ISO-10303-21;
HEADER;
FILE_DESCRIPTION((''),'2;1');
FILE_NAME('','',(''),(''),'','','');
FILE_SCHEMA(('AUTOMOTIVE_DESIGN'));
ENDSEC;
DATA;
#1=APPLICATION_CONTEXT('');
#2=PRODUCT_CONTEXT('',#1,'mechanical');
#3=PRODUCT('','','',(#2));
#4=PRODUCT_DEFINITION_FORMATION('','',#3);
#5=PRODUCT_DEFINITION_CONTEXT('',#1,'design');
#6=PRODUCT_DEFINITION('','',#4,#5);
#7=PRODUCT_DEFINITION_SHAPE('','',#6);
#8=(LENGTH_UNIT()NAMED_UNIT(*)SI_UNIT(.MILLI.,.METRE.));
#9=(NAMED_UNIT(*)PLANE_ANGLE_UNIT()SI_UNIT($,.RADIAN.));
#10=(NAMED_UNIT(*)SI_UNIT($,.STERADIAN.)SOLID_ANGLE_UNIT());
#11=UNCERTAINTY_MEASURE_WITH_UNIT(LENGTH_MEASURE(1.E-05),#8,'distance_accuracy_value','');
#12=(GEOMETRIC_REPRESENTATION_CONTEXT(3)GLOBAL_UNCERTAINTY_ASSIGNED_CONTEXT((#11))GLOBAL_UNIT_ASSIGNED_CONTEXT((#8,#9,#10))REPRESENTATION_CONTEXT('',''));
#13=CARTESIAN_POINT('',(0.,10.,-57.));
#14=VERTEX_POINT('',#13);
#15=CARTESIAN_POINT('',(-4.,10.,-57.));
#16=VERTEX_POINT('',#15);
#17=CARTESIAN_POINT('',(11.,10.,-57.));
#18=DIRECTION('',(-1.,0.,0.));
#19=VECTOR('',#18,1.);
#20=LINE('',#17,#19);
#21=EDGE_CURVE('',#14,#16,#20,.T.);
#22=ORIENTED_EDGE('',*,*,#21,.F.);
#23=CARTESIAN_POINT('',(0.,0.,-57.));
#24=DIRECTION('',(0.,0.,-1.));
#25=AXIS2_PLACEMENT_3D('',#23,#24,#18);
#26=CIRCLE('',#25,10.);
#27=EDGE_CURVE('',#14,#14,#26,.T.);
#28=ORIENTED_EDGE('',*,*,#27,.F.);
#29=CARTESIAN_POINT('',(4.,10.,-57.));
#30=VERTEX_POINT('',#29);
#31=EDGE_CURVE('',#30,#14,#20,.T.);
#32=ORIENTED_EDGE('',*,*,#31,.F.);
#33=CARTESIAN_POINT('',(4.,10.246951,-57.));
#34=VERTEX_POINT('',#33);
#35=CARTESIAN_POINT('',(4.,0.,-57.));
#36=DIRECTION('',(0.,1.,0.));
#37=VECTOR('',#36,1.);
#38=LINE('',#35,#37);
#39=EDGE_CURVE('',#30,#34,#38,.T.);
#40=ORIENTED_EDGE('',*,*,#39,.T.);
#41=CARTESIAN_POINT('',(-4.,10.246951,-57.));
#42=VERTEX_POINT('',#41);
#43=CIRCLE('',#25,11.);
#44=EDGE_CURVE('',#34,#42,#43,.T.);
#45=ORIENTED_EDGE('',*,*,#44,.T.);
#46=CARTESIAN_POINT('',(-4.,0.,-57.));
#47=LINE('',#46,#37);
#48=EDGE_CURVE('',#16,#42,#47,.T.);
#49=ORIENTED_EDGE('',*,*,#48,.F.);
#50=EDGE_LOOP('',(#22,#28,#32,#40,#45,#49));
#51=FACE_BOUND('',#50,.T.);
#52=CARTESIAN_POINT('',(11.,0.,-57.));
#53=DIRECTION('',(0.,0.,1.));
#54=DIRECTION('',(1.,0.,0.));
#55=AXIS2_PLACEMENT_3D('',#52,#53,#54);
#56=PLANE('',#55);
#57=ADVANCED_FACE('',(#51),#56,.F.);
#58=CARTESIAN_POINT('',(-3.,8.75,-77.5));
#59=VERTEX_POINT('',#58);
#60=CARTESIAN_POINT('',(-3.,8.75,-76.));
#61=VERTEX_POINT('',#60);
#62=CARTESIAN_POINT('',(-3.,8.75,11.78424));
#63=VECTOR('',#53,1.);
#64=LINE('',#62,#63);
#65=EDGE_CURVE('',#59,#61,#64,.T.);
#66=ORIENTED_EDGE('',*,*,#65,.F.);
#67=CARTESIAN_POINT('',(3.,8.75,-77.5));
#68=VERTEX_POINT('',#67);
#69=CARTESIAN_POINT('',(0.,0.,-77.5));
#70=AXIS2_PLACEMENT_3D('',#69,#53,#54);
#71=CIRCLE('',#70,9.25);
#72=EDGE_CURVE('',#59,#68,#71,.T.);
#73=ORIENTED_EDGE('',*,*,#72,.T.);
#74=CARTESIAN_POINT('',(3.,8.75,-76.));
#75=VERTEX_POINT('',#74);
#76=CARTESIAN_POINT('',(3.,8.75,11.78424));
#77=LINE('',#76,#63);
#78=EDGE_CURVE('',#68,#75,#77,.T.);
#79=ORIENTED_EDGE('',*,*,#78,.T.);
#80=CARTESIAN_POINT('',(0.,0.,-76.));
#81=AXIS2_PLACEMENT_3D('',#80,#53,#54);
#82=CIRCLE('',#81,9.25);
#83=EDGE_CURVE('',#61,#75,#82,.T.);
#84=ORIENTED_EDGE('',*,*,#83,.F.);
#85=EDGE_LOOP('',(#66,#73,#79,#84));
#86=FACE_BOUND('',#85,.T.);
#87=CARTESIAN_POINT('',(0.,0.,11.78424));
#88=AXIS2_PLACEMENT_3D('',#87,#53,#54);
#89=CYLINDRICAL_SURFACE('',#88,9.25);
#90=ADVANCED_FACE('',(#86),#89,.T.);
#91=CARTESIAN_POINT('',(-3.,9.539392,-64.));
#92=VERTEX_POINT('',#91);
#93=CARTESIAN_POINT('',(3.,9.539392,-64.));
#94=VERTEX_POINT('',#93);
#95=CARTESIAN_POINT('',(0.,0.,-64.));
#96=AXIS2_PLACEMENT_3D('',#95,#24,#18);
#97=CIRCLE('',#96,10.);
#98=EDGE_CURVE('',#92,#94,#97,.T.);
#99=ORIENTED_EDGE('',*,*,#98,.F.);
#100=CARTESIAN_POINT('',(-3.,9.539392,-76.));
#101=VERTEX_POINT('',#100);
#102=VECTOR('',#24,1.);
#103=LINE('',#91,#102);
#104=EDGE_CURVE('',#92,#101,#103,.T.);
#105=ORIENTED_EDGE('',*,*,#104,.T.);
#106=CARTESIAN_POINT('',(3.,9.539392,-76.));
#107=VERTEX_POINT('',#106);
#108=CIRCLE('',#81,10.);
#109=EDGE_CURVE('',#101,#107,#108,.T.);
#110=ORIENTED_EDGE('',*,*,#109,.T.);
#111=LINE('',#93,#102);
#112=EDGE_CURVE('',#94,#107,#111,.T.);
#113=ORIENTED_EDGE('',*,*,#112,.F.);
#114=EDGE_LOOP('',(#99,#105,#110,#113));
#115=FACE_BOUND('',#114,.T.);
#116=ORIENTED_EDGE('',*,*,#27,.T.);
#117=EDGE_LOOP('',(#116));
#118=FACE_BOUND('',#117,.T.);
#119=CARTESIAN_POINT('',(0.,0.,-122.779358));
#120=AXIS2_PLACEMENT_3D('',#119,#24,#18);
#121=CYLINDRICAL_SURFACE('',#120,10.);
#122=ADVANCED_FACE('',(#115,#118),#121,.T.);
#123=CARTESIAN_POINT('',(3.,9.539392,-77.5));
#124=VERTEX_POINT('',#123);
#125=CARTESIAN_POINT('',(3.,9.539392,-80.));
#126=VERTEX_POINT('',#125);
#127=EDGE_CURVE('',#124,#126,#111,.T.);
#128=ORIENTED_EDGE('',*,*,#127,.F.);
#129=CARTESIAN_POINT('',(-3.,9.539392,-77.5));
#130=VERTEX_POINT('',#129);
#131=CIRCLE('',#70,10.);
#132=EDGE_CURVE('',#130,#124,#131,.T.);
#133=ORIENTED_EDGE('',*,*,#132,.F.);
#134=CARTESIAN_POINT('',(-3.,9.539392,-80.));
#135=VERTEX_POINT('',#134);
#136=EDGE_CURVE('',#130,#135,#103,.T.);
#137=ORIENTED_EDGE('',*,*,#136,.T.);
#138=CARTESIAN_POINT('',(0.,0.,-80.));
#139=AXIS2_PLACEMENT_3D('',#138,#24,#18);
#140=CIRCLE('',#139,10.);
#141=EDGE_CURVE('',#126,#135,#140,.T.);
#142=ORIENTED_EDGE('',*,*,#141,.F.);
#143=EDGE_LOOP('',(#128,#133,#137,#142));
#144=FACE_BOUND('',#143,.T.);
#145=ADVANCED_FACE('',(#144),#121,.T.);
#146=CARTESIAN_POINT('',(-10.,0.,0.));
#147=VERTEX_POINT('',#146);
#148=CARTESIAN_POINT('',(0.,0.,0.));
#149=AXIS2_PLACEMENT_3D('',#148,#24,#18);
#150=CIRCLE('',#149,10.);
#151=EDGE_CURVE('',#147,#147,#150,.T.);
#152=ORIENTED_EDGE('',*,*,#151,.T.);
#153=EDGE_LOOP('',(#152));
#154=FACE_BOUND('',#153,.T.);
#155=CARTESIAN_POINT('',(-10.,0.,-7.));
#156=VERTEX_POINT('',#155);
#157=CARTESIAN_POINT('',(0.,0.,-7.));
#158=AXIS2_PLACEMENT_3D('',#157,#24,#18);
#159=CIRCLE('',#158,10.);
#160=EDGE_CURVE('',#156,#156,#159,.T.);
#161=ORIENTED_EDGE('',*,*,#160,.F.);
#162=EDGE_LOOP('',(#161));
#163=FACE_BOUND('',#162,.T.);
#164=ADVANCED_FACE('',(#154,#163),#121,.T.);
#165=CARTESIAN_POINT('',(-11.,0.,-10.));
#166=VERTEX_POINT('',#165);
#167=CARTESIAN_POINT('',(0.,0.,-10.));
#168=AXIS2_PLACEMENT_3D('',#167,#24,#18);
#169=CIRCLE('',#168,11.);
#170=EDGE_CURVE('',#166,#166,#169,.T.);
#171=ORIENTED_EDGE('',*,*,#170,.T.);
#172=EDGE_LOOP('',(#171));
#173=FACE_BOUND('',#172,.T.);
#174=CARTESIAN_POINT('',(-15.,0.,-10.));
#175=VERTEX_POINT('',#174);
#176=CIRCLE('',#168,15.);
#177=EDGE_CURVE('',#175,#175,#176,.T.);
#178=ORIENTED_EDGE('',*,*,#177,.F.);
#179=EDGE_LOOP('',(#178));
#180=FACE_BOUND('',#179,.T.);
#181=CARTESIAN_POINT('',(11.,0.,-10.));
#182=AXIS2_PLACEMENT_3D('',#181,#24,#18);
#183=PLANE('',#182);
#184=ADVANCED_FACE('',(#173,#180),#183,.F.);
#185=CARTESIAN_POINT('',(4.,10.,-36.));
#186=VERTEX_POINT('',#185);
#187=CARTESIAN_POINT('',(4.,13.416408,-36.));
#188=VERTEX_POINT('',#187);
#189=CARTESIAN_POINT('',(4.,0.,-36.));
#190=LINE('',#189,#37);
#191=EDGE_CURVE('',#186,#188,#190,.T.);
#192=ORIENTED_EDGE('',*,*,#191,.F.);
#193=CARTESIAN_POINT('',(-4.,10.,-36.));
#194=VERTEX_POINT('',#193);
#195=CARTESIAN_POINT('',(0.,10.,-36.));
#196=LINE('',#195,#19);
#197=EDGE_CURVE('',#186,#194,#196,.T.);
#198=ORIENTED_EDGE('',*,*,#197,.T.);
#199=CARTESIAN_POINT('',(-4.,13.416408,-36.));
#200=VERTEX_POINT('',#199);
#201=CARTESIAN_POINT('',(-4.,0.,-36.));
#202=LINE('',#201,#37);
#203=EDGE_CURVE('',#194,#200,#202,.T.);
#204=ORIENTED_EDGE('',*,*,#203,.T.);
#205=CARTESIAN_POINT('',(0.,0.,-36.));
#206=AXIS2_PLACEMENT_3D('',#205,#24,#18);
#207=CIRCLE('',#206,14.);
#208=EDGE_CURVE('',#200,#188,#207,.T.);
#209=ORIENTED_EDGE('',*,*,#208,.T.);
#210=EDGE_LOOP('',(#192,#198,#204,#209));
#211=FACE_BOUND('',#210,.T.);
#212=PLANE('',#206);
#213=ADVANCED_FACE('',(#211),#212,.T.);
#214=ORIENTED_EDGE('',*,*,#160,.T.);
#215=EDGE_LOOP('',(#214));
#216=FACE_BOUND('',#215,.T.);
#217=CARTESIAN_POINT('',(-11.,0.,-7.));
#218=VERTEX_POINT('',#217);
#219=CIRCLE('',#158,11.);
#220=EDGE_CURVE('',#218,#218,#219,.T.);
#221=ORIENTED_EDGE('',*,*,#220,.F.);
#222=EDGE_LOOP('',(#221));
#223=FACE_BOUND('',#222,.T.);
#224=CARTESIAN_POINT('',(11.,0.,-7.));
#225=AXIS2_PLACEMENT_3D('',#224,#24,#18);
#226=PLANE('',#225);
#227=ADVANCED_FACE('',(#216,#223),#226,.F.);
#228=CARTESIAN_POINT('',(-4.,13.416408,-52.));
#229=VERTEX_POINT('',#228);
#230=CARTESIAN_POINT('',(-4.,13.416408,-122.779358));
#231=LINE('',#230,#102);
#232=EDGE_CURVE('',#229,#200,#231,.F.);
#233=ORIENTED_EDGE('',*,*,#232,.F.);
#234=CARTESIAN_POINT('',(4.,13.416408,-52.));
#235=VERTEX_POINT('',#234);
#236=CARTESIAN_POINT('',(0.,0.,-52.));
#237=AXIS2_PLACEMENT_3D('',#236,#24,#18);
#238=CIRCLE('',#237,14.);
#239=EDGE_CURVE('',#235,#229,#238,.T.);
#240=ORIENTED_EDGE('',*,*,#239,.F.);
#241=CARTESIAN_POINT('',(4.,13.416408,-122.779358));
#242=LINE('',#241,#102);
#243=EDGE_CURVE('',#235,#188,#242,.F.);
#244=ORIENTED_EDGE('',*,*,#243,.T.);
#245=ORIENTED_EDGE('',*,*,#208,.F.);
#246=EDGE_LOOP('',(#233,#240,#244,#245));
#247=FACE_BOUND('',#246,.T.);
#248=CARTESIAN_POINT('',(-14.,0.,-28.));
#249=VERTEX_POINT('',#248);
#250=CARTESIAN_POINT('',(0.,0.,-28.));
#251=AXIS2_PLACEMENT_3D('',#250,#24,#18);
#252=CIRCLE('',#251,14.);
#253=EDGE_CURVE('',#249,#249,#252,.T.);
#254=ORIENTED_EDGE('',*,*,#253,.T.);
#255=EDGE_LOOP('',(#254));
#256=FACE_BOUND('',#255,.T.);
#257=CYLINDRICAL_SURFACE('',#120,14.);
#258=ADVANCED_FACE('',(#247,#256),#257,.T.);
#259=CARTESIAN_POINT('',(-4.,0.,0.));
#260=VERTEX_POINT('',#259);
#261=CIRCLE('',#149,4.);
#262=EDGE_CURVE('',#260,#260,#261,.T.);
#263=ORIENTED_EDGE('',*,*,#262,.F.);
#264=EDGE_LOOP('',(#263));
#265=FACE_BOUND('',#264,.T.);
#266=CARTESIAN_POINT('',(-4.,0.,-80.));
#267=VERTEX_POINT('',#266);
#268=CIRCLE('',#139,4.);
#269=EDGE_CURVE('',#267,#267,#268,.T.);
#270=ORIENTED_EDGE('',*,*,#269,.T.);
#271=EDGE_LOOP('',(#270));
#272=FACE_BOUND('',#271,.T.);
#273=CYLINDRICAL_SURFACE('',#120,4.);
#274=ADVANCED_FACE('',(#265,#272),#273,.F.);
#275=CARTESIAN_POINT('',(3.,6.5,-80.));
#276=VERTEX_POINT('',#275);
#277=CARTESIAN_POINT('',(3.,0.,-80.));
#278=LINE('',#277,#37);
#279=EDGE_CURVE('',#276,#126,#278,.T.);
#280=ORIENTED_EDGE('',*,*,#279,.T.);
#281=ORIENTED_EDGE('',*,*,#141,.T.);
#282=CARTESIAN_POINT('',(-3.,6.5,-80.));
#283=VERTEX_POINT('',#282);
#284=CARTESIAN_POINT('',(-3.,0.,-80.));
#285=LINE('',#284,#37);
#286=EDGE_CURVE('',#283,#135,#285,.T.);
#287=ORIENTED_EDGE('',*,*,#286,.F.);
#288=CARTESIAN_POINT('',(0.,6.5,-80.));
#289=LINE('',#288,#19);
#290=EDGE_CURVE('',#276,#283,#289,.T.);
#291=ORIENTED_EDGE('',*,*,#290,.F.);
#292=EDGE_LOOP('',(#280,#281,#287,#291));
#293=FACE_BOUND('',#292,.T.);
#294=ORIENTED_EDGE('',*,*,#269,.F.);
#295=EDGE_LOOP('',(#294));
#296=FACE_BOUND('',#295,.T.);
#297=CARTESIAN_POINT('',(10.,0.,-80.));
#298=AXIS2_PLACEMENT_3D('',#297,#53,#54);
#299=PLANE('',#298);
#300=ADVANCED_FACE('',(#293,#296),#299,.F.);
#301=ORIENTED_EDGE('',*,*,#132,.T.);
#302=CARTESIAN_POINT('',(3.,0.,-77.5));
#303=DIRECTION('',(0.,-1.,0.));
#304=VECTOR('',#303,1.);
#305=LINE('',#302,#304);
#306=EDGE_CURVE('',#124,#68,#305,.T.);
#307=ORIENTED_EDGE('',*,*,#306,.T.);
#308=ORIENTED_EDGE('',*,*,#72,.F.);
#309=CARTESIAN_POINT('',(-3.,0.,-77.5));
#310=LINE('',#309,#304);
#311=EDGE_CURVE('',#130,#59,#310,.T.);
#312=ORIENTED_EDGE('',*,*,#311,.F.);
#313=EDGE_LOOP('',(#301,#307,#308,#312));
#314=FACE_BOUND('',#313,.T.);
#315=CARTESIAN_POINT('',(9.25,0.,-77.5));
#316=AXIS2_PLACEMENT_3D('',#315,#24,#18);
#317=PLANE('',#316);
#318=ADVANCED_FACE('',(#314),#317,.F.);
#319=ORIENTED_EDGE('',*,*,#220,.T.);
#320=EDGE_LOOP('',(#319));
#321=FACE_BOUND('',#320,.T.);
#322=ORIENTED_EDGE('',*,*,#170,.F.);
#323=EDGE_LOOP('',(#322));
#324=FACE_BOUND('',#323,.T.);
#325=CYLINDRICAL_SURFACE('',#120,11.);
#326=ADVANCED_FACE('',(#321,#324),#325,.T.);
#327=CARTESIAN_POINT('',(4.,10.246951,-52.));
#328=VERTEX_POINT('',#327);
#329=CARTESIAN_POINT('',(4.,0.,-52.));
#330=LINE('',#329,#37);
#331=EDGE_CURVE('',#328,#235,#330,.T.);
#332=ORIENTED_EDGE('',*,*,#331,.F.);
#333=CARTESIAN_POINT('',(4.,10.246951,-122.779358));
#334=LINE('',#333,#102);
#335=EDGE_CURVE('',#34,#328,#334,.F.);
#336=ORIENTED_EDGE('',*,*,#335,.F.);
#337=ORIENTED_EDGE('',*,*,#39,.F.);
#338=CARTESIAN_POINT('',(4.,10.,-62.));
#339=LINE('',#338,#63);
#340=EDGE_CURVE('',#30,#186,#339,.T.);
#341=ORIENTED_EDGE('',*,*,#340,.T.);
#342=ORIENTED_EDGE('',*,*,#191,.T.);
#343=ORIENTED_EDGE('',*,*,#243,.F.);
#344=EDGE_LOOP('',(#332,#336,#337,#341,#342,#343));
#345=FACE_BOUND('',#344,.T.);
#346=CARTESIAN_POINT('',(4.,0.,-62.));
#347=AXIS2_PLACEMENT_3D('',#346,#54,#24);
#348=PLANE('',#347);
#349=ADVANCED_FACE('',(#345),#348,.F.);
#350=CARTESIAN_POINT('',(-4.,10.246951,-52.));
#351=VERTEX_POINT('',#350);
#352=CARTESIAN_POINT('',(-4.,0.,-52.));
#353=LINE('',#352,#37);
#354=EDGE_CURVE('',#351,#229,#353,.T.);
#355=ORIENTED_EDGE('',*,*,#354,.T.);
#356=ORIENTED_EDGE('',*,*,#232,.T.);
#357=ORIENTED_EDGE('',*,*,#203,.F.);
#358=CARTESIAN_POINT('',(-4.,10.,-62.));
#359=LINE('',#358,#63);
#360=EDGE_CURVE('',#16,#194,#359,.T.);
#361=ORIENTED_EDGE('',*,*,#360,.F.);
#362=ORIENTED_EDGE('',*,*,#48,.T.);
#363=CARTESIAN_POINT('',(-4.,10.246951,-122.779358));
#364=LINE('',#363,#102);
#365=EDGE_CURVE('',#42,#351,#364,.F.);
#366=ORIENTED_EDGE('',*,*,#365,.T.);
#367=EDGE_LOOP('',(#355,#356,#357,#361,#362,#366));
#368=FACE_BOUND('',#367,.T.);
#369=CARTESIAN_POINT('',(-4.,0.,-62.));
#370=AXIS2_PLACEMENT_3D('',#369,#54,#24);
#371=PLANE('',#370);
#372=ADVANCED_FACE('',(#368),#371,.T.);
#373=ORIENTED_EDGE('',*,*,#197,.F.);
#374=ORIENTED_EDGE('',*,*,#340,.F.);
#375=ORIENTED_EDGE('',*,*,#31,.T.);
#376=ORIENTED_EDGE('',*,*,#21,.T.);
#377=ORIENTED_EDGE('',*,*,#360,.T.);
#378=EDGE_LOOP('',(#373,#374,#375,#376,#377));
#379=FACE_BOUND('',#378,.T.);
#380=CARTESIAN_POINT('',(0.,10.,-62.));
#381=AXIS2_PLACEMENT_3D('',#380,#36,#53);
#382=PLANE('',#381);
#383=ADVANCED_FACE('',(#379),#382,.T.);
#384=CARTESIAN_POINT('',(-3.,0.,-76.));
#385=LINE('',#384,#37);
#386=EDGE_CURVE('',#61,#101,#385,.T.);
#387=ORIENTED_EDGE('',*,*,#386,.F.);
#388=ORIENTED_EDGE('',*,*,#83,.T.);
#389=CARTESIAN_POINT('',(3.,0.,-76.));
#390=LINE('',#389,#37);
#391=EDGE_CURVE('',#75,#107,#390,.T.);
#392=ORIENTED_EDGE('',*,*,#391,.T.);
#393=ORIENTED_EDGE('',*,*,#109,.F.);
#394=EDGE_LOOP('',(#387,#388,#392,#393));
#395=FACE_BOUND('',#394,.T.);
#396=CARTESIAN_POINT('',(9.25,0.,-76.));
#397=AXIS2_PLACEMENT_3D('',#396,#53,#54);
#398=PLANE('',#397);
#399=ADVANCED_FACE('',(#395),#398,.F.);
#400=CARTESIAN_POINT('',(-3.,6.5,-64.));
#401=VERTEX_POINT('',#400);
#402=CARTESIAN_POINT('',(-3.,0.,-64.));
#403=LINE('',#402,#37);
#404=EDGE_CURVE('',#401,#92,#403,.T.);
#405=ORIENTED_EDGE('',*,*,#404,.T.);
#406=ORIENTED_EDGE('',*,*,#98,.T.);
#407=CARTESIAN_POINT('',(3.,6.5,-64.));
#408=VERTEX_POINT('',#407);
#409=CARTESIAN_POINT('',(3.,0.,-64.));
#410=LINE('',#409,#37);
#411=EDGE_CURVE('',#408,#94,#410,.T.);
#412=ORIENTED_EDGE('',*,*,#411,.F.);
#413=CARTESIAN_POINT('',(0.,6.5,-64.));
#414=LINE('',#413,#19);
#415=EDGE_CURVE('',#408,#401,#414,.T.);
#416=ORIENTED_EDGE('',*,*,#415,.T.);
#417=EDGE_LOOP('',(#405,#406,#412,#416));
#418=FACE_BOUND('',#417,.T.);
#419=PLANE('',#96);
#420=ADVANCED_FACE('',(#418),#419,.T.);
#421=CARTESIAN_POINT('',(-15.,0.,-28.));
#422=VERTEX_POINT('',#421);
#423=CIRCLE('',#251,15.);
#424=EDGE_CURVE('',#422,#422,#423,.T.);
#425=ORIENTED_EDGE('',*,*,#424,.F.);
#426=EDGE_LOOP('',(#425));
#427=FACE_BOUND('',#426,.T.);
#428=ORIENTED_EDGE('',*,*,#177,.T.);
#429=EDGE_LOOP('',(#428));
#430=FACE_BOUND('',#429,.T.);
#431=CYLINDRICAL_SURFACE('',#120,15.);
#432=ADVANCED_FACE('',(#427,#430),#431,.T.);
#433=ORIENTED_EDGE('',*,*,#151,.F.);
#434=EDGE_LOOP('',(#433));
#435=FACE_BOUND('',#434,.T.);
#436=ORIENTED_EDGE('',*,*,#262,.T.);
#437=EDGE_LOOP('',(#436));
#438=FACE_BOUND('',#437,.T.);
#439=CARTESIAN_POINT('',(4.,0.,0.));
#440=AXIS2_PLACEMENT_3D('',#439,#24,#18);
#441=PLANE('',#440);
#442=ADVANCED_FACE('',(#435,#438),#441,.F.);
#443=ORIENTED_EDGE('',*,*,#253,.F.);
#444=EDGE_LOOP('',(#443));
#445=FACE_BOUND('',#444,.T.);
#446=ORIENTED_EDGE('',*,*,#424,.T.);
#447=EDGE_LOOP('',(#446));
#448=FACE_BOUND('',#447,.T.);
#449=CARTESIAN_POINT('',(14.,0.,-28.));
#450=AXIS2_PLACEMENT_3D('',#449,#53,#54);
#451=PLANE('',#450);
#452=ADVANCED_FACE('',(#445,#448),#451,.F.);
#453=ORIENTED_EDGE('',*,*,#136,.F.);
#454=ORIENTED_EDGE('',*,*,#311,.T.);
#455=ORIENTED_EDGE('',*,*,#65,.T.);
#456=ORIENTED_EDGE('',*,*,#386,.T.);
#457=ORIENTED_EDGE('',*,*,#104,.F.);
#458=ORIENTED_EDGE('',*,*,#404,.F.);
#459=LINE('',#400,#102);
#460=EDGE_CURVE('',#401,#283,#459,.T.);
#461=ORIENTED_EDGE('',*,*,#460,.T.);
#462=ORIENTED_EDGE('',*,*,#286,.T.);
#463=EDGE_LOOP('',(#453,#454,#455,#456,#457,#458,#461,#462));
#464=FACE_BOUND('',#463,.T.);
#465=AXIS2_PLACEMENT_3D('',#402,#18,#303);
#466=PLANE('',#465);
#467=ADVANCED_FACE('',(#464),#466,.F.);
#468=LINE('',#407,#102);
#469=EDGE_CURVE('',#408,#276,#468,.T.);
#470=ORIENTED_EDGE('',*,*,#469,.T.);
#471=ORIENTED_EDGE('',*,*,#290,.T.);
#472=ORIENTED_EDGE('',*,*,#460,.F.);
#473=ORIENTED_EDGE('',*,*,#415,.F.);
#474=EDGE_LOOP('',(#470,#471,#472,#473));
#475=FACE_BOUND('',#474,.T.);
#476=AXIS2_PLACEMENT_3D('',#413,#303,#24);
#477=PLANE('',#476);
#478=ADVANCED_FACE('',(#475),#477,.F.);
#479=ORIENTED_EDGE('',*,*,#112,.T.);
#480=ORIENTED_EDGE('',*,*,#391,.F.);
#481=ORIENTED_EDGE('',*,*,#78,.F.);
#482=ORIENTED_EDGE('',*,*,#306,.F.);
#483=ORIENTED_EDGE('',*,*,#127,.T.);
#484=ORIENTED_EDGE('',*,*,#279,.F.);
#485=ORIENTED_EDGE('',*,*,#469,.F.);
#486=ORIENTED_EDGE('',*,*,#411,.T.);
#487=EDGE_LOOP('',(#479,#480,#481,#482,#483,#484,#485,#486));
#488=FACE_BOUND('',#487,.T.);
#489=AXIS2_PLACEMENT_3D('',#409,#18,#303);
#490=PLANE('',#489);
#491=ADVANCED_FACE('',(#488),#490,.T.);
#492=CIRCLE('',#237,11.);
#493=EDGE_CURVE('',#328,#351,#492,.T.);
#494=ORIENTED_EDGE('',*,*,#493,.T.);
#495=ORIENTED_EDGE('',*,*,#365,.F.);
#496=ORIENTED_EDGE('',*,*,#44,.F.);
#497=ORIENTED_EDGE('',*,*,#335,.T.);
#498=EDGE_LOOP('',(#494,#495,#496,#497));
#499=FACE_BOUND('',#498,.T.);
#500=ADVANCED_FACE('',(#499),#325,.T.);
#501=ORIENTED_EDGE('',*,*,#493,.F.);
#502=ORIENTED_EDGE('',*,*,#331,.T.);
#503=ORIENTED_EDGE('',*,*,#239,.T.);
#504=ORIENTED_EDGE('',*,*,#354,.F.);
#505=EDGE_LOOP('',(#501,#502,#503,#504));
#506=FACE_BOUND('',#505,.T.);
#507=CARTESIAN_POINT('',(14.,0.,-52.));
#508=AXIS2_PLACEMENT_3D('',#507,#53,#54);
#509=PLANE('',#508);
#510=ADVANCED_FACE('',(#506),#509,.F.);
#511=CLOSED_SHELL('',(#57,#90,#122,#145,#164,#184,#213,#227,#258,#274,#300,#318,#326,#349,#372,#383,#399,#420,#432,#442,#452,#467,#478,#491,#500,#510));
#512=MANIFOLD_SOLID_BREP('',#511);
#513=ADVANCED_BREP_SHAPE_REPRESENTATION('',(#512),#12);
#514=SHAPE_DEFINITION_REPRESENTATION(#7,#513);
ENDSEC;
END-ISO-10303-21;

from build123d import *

# Parameters (mm, degrees)
CUT_EXTRUDE3_DEPTH      = 10
CUT_EXTRUDE3_DEPTH_BACK = 16
CUT_EXTRUDE4_DEPTH      = 16
SKETCH7_W               = 0.75
SKETCH7_H               = 1.5


with BuildPart() as part:
    # Sketch1 → Revolve1 (revolve)
    with BuildSketch(Plane(origin=(0, 0, 0), x_dir=(1, 0, 0), z_dir=(0, 1, 0)), mode=Mode.PRIVATE) as revolve1_sk:
        Polygon((4, 0), (10, 0), (10, 7), (11, 7), (11, 10), (15, 10), (15, 28), (14, 28), (14, 52), (11, 52), (11, 57), (10, 57), (10, 80), (4, 80), align=None)
    revolve(revolve1_sk.sketch.rotate(Axis((0, 0, -122.779357785), (0, 0, 1)), 180), axis=Axis((0, 0, -122.779357785), (0, 0, 1)))

    # Sketch5 → Cut-Extrude3 (cut, two sides: drawn at the far end of the back side and taken through both)
    with BuildSketch(Plane(origin=(0, 0, -52), x_dir=(-1, 0, 0), z_dir=(0, 0, -1)).offset(-CUT_EXTRUDE3_DEPTH_BACK)):
        Polygon((-4, 91.782839275), (-4, 13.416407865), (-4, 10), (4, 10), (4, 13.416407865), (4, 91.782839275), (4, 248.515702096), (-4, 248.515702096), align=None)
    extrude(amount=CUT_EXTRUDE3_DEPTH + CUT_EXTRUDE3_DEPTH_BACK, mode=Mode.SUBTRACT)

    # Sketch6 → Cut-Extrude4 (cut)
    with BuildSketch(Plane(origin=(0, 0, -80), x_dir=(-1, 0, 0), z_dir=(0, 0, -1))):
        Polygon((-3, 80.405860958), (-3, 9.539392014), (-3, 6.5), (3, 6.5), (3, 9.539392014), (3, 80.405860958), (3, 222.138798846), (-3, 222.138798846), align=None)
    extrude(amount=-CUT_EXTRUDE4_DEPTH, mode=Mode.SUBTRACT)

    # Sketch7 → Cut-Revolve1 (revolve, cut)
    with BuildSketch(Plane(origin=(0, 0, 0), x_dir=(1, 0, 0), z_dir=(0, 1, 0)), mode=Mode.PRIVATE) as cut_revolve1_sk:
        with Locations((9.625, 76.75)):
            Rectangle(SKETCH7_W, SKETCH7_H)
    revolve(cut_revolve1_sk.sketch.rotate(Axis((0, 0, 11.784239999), (0, 0, -1)), 252.542396876), axis=Axis((0, 0, 11.784239999), (0, 0, -1)), mode=Mode.SUBTRACT)


solid = part.part
